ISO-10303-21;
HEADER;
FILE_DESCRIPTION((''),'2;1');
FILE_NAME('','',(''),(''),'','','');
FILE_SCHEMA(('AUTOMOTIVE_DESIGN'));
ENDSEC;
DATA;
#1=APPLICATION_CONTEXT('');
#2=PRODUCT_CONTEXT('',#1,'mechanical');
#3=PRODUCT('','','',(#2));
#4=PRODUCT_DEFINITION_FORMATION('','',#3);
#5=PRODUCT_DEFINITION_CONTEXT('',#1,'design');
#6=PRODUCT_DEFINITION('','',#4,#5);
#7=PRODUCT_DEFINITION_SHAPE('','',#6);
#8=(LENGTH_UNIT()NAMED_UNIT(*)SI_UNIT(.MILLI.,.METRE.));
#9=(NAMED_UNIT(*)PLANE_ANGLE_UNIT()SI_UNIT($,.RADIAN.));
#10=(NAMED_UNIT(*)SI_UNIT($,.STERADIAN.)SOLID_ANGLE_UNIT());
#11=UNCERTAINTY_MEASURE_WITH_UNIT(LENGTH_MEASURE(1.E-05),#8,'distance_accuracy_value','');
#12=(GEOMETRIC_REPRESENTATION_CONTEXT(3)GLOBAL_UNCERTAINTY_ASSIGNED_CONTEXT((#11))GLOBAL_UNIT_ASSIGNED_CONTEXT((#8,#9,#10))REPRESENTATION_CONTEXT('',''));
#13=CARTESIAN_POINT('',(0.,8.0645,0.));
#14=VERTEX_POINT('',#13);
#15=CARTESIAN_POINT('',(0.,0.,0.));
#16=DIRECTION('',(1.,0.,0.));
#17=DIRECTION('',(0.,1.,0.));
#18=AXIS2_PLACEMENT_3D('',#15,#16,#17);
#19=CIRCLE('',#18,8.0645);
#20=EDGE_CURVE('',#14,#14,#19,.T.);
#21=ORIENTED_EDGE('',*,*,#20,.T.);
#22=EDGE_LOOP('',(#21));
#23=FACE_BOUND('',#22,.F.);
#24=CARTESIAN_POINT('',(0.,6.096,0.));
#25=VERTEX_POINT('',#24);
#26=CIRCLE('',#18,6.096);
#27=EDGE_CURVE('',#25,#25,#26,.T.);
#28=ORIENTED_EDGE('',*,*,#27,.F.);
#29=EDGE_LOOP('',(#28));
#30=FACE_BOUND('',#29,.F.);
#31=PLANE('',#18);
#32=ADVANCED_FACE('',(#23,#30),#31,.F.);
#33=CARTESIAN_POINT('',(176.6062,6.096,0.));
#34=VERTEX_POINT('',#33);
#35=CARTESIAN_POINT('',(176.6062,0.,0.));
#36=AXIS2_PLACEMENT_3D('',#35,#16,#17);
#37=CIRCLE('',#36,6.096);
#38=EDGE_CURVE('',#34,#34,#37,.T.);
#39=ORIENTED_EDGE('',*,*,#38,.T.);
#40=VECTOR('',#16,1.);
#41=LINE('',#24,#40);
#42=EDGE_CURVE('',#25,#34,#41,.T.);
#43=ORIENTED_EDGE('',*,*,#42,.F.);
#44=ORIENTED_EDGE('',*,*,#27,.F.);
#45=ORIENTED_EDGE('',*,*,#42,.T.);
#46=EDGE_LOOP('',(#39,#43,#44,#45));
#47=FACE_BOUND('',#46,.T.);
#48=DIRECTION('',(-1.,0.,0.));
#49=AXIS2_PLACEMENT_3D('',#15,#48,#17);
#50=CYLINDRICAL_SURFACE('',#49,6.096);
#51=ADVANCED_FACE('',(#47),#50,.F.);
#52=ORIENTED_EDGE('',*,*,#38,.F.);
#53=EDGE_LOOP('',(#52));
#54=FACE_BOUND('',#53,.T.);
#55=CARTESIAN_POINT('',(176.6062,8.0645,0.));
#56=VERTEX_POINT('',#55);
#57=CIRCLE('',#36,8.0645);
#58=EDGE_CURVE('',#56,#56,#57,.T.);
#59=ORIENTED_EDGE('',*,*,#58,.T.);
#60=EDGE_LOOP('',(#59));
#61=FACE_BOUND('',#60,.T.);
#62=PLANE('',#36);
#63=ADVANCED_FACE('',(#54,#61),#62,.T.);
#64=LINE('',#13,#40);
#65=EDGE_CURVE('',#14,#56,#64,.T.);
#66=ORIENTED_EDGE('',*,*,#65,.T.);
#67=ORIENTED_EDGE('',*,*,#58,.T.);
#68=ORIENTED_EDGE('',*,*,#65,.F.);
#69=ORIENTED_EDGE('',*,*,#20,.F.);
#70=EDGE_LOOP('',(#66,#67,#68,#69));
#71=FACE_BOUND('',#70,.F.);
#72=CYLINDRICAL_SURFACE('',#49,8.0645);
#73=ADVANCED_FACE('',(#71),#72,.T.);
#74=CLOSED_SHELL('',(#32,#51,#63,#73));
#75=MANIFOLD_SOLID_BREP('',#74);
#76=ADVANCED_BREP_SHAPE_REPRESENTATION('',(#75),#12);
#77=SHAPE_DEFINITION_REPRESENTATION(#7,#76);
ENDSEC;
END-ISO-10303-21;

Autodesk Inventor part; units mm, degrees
ref_plane "YZ Plane" through (0, 0, 0) normal (1, 0, 0) x (0, 1, 0)
ref_plane "XZ Plane" through (0, 0, 0) normal (0, 1, 0) x (-1, 0, 0)
ref_plane "XY Plane" through (0, 0, 0) normal (0, 0, 1) x (1, 0, 0)
sketch "Sketch1" plane through (0, 0, 0) normal (1, 0, 0) x (0, 1, 0)
  circle A0 centre (0, 0) radius 8.0645
  circle A1 centre (0, 0) radius 6.096
  dimension "d0" = 16.129
  dimension "d1" = 12.192
extrude "Extrusion1" add sketch "Sketch1" along normal blind 176.6062
properties part number "PVCpipe"
